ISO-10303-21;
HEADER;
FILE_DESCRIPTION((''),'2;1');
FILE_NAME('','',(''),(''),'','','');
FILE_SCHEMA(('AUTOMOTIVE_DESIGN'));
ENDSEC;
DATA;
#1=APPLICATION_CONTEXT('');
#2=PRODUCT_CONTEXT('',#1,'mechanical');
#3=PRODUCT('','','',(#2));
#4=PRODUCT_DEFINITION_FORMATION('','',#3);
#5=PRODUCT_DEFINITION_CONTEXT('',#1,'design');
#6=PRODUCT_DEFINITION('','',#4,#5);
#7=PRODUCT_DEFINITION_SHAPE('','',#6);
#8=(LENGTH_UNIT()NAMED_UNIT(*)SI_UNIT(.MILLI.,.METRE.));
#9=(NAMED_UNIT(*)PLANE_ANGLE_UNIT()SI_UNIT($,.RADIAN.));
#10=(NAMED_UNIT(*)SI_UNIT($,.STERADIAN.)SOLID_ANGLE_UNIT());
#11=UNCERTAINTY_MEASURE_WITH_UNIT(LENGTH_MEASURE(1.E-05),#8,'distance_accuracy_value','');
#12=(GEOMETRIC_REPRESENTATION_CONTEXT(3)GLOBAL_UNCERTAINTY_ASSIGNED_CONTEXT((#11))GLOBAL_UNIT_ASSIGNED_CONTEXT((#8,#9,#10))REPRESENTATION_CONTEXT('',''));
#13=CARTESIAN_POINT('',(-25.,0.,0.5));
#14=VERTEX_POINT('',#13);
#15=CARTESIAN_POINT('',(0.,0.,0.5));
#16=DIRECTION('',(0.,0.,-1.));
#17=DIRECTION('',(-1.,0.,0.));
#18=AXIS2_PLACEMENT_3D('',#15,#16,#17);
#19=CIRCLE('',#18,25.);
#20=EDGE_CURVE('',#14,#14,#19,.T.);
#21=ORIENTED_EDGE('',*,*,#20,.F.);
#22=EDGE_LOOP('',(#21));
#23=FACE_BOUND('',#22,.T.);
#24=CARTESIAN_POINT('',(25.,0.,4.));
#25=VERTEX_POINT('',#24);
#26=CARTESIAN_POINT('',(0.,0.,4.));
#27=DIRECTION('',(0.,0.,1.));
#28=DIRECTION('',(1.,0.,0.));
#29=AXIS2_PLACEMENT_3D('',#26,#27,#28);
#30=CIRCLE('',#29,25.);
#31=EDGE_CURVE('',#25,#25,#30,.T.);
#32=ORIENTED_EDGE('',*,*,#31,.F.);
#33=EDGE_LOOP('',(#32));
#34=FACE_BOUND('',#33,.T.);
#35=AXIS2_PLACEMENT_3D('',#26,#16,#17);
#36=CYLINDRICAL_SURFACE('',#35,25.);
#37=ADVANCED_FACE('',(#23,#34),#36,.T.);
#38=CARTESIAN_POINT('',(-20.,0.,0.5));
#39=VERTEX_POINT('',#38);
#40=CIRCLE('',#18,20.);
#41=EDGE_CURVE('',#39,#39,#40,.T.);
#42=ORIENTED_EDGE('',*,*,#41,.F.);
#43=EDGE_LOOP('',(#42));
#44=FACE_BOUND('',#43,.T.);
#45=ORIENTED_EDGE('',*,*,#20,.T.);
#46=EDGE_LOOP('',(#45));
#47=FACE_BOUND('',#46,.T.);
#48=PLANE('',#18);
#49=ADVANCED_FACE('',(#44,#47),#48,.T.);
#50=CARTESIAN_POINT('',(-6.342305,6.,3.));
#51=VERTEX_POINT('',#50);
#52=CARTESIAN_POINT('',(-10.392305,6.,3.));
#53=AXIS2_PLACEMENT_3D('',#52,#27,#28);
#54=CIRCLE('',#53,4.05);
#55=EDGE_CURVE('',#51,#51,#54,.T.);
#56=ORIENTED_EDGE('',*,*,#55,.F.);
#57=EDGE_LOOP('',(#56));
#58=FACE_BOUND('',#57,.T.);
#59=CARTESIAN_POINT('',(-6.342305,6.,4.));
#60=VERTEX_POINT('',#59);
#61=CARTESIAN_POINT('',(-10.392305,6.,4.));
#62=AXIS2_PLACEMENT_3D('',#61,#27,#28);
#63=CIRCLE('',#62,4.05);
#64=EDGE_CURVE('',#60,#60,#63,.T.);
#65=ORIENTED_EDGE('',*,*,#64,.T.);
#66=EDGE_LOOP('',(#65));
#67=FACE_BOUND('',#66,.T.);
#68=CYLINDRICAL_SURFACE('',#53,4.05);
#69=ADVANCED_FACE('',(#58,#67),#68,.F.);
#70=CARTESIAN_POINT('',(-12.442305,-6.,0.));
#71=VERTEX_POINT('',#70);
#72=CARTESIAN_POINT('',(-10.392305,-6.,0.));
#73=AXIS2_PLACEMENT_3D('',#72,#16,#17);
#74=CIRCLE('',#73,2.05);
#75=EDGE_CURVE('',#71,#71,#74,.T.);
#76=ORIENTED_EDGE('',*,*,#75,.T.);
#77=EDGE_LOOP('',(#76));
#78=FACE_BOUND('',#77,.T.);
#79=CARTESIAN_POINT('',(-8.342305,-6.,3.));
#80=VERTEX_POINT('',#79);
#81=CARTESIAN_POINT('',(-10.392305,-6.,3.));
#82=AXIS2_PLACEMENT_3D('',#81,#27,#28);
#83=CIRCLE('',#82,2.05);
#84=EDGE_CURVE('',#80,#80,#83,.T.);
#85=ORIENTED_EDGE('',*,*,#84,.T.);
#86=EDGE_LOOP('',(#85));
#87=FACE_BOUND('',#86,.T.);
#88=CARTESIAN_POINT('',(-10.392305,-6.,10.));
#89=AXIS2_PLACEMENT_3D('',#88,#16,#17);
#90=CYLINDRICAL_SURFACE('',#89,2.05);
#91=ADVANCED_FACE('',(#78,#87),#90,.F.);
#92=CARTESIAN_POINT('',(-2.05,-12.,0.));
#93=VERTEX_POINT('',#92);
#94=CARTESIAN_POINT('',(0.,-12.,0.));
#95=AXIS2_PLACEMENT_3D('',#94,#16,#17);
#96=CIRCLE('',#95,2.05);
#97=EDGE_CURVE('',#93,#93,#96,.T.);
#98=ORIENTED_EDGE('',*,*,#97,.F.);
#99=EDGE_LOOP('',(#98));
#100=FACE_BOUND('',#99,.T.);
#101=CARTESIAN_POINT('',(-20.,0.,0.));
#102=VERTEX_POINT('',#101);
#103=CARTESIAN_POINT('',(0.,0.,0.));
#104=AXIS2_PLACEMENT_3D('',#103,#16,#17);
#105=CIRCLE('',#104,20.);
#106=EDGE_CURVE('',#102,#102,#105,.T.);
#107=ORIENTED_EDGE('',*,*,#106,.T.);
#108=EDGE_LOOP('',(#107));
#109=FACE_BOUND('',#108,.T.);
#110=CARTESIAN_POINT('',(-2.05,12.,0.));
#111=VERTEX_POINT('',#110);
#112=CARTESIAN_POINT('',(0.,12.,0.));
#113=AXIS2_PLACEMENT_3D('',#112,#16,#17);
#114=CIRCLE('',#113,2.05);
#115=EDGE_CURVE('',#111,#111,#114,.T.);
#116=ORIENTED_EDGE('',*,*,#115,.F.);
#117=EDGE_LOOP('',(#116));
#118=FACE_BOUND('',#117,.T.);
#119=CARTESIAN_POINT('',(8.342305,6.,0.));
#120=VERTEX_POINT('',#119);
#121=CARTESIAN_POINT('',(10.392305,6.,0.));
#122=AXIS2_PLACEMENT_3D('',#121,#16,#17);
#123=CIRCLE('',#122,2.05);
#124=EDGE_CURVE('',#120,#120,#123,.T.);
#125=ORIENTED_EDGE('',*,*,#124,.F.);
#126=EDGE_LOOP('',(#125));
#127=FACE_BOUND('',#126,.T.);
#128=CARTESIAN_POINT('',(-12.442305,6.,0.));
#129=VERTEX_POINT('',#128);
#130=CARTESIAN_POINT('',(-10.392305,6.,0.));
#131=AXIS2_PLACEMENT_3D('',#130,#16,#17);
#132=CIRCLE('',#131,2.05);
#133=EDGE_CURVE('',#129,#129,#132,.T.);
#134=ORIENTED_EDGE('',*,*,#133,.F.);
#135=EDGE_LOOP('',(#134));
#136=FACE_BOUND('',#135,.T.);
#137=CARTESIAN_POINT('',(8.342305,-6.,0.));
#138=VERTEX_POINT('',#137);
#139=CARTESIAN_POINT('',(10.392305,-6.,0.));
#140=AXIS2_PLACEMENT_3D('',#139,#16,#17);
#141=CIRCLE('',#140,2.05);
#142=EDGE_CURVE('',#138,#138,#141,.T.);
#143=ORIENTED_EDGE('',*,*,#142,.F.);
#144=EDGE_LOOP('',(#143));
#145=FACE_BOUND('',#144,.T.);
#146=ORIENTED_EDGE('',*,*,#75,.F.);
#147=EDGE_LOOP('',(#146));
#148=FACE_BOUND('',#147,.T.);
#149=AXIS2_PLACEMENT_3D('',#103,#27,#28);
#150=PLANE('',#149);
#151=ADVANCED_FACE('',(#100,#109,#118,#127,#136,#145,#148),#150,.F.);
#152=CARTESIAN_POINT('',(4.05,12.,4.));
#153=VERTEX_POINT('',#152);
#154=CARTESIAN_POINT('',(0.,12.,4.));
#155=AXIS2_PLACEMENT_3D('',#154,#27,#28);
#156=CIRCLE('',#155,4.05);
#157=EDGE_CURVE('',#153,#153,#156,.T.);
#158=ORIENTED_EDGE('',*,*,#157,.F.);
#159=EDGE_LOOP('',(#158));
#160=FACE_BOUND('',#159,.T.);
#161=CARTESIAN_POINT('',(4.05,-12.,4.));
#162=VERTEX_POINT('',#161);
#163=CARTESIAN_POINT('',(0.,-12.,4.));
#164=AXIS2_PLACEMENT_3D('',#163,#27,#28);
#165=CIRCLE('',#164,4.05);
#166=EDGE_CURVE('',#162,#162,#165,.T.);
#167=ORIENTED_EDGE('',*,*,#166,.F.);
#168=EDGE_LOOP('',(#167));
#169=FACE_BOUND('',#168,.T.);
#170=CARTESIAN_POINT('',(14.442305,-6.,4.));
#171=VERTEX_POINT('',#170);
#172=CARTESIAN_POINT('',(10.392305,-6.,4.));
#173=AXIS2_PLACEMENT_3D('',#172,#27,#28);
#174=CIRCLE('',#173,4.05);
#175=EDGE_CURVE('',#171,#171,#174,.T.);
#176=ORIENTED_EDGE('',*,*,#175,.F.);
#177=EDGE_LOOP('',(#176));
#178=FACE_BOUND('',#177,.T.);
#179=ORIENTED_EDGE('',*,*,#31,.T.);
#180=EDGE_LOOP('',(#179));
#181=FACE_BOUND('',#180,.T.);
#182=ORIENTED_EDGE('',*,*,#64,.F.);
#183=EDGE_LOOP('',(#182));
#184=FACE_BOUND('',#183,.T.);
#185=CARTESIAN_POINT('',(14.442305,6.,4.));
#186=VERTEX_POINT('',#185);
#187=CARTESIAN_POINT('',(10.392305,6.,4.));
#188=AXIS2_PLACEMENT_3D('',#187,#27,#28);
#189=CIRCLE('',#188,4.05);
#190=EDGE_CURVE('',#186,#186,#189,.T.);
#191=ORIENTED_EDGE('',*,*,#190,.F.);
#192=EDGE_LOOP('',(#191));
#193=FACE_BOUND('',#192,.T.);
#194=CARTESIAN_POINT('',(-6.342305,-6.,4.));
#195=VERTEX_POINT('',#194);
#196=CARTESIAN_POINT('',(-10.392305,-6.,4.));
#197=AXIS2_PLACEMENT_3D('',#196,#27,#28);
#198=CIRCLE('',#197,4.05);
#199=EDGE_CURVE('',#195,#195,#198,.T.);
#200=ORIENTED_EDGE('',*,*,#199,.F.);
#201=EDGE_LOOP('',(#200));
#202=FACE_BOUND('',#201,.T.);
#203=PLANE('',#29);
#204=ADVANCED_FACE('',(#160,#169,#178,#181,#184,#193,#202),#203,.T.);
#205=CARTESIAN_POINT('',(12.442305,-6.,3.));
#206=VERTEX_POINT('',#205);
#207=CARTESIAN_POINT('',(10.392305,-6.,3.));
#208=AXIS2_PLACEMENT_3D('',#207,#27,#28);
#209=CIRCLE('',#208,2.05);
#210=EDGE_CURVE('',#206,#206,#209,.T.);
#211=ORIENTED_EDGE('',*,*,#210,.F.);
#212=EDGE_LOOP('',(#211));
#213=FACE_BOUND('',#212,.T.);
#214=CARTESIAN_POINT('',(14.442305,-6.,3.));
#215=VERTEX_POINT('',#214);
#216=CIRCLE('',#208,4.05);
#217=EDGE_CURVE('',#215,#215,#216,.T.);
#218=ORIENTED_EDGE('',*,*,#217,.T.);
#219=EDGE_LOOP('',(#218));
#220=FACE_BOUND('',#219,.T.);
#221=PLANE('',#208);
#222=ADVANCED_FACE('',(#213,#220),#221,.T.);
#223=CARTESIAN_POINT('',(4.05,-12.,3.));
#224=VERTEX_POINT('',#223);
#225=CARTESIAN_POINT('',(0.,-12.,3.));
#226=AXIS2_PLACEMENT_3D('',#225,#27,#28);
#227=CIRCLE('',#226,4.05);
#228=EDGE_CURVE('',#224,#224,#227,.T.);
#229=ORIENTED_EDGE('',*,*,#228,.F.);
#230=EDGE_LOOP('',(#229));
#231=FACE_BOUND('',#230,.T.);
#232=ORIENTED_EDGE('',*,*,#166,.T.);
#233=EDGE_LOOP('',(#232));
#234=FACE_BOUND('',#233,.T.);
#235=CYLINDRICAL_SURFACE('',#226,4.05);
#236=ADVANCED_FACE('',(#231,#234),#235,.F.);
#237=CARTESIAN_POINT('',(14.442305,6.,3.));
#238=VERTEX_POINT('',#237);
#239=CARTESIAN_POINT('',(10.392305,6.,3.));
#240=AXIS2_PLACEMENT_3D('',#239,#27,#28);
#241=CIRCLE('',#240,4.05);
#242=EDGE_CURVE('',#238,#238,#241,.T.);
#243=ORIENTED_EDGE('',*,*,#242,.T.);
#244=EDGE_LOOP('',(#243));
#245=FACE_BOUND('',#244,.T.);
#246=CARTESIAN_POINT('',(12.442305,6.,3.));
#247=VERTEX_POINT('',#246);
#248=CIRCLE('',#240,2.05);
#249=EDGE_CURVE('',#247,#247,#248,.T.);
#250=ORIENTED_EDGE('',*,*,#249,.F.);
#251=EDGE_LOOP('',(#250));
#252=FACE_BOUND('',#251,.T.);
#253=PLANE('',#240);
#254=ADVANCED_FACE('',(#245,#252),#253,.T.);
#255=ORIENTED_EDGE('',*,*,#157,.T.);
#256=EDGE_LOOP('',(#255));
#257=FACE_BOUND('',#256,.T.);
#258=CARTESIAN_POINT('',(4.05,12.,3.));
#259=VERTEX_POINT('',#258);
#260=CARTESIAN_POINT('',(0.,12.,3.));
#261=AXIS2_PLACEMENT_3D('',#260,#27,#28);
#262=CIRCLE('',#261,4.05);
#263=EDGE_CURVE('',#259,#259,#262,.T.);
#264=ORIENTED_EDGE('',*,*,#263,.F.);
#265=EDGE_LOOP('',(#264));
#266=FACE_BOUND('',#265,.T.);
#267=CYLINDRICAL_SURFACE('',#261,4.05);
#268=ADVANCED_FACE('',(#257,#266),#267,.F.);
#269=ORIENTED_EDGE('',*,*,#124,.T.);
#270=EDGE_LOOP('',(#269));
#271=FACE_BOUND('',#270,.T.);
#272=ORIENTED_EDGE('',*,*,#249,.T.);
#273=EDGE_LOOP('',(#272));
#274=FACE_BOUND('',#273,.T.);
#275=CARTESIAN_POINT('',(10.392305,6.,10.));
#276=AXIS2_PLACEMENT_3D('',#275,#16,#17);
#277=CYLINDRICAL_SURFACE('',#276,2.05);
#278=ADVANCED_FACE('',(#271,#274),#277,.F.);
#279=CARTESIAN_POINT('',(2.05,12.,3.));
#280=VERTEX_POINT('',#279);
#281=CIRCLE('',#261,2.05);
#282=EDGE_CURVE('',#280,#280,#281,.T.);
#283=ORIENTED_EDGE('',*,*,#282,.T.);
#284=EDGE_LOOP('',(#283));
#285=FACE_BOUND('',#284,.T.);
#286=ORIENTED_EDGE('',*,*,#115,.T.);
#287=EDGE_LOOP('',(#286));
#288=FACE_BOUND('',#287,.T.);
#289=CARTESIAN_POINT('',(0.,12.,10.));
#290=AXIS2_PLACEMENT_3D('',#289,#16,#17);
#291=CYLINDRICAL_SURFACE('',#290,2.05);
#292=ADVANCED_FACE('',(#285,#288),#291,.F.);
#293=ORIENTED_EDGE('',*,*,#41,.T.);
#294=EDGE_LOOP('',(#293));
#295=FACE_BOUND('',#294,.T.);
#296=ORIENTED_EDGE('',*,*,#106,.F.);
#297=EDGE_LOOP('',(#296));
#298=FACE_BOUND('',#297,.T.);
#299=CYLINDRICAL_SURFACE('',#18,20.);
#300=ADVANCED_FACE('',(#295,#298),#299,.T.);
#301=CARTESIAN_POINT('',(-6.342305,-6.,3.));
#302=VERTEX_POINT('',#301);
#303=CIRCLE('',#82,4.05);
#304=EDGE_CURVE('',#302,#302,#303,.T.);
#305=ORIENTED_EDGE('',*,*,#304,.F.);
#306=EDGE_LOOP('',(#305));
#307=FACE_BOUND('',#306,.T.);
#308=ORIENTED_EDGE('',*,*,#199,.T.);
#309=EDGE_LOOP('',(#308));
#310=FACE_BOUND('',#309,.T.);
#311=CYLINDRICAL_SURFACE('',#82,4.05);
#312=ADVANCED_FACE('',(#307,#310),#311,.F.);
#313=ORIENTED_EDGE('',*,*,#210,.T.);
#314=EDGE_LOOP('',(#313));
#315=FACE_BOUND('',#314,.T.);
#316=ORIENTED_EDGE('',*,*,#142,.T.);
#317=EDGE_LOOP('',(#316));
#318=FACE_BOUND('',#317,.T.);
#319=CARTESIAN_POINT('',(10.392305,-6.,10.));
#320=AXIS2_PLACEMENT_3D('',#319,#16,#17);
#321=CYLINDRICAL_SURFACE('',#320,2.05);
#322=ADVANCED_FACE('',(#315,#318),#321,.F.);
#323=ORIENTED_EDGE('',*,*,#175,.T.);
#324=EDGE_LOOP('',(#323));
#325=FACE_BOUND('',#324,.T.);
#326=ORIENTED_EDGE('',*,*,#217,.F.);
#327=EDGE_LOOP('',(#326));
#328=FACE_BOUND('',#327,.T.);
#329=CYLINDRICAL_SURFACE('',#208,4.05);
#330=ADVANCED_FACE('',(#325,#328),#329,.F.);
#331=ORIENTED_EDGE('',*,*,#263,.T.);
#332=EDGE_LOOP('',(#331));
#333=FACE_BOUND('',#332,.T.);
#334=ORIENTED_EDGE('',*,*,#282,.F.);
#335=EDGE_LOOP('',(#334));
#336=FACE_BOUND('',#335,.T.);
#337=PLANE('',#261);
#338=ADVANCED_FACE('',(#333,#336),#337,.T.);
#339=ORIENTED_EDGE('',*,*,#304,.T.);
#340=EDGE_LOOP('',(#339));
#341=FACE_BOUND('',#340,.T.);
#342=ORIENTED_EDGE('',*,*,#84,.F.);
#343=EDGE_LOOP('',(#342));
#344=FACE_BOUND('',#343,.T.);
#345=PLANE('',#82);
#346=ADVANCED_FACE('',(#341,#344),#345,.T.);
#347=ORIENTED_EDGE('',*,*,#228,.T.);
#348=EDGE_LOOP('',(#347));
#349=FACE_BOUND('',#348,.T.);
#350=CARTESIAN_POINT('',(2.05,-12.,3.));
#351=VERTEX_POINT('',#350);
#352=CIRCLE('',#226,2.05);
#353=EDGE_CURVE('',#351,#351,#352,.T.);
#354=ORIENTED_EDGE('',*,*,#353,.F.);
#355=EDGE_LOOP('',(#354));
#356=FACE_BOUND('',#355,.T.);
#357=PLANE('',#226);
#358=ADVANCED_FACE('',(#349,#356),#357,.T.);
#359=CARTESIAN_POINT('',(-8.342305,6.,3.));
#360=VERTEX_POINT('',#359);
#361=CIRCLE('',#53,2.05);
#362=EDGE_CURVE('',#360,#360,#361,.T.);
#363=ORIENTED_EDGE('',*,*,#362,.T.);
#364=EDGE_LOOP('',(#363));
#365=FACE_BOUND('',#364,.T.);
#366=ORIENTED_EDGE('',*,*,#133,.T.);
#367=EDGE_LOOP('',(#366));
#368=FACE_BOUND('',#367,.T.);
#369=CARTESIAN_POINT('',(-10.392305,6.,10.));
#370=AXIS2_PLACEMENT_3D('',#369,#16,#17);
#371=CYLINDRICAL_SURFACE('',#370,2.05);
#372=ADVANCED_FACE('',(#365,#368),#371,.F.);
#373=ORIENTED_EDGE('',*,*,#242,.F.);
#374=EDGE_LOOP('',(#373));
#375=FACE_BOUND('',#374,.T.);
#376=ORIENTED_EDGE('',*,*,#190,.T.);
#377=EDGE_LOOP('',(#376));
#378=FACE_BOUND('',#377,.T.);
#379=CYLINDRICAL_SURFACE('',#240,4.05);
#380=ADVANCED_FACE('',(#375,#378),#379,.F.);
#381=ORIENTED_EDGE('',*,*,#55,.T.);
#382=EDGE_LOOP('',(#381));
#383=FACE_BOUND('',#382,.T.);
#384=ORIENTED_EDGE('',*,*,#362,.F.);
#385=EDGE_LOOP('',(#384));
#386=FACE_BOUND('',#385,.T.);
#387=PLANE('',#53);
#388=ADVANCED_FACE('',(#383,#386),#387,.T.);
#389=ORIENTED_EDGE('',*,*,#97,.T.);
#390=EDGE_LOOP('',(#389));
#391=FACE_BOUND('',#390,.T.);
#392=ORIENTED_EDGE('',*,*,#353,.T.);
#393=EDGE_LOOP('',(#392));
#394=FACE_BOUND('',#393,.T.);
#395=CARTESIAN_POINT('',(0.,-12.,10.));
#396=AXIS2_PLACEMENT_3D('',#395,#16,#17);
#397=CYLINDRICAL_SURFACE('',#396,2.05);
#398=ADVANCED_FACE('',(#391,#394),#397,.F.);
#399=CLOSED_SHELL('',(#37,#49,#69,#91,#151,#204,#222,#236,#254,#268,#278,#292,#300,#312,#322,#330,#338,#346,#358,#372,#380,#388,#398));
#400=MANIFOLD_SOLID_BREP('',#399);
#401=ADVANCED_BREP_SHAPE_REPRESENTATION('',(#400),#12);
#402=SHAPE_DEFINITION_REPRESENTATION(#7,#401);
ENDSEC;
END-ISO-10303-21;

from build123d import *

# Parameters (mm, degrees)
SKETCH_1_R          = 25
EXTRUDE_1_DEPTH     = 4
SKETCH_4_R          = 2.05
CUT_EXTRUDE_1_DEPTH = 10
SKETCH_5_R          = 4.05
SKETCH_5_R_2        = 2.05
CUT_EXTRUDE_2_DEPTH = 1
SKETCH_6_R          = 25
SKETCH_6_R_2        = 20
CUT_EXTRUDE_3_DEPTH = 0.5


with BuildPart() as part:
    # 草图1 → 凸台-拉伸1 (new body)
    with BuildSketch(Plane.XY):
        Circle(SKETCH_1_R)
    extrude(amount=EXTRUDE_1_DEPTH)

    # 草图4 → 切除-拉伸1 (cut)
    with BuildSketch(Plane(origin=(0, 0, 0), x_dir=(-1, 0, 0), z_dir=(0, 0, -1))):
        with Locations((-10.392304845, -6)):
            Circle(SKETCH_4_R)
        with Locations((-10.392304845, 6)):
            Circle(SKETCH_4_R)
        with Locations((0, 12)):
            Circle(SKETCH_4_R)
        with Locations((10.392304845, 6)):
            Circle(SKETCH_4_R)
        with Locations((10.392304845, -6)):
            Circle(SKETCH_4_R)
        with Locations((0, -12)):
            Circle(SKETCH_4_R)
    extrude(amount=-CUT_EXTRUDE_1_DEPTH, mode=Mode.SUBTRACT)

    # 草图5 → 切除-拉伸2 (cut)
    with BuildSketch(Plane.XY.offset(4)):
        with Locations((-10.392304845, 6)):
            Circle(SKETCH_5_R)
        with Locations((-10.392304845, 6)):
            Circle(SKETCH_5_R_2, mode=Mode.SUBTRACT)
        with Locations((-10.392304845, -6)):
            Circle(SKETCH_5_R)
        with Locations((-10.392304845, -6)):
            Circle(SKETCH_5_R_2, mode=Mode.SUBTRACT)
        with Locations((0, -12)):
            Circle(SKETCH_5_R)
        with Locations((0, -12)):
            Circle(SKETCH_5_R_2, mode=Mode.SUBTRACT)
        with Locations((10.392304845, -6)):
            Circle(SKETCH_5_R)
        with Locations((10.392304845, -6)):
            Circle(SKETCH_5_R_2, mode=Mode.SUBTRACT)
        with Locations((10.392304845, 6)):
            Circle(SKETCH_5_R)
        with Locations((10.392304845, 6)):
            Circle(SKETCH_5_R_2, mode=Mode.SUBTRACT)
        with Locations((0, 12)):
            Circle(SKETCH_5_R)
        with Locations((0, 12)):
            Circle(SKETCH_5_R_2, mode=Mode.SUBTRACT)
    extrude(amount=-CUT_EXTRUDE_2_DEPTH, mode=Mode.SUBTRACT)

    # 草图6 → 切除-拉伸3 (cut)
    with BuildSketch(Plane(origin=(0, 0, 0), x_dir=(-1, 0, 0), z_dir=(0, 0, -1))):
        Circle(SKETCH_6_R)
        Circle(SKETCH_6_R_2, mode=Mode.SUBTRACT)
    extrude(amount=-CUT_EXTRUDE_3_DEPTH, mode=Mode.SUBTRACT)


solid = part.part
